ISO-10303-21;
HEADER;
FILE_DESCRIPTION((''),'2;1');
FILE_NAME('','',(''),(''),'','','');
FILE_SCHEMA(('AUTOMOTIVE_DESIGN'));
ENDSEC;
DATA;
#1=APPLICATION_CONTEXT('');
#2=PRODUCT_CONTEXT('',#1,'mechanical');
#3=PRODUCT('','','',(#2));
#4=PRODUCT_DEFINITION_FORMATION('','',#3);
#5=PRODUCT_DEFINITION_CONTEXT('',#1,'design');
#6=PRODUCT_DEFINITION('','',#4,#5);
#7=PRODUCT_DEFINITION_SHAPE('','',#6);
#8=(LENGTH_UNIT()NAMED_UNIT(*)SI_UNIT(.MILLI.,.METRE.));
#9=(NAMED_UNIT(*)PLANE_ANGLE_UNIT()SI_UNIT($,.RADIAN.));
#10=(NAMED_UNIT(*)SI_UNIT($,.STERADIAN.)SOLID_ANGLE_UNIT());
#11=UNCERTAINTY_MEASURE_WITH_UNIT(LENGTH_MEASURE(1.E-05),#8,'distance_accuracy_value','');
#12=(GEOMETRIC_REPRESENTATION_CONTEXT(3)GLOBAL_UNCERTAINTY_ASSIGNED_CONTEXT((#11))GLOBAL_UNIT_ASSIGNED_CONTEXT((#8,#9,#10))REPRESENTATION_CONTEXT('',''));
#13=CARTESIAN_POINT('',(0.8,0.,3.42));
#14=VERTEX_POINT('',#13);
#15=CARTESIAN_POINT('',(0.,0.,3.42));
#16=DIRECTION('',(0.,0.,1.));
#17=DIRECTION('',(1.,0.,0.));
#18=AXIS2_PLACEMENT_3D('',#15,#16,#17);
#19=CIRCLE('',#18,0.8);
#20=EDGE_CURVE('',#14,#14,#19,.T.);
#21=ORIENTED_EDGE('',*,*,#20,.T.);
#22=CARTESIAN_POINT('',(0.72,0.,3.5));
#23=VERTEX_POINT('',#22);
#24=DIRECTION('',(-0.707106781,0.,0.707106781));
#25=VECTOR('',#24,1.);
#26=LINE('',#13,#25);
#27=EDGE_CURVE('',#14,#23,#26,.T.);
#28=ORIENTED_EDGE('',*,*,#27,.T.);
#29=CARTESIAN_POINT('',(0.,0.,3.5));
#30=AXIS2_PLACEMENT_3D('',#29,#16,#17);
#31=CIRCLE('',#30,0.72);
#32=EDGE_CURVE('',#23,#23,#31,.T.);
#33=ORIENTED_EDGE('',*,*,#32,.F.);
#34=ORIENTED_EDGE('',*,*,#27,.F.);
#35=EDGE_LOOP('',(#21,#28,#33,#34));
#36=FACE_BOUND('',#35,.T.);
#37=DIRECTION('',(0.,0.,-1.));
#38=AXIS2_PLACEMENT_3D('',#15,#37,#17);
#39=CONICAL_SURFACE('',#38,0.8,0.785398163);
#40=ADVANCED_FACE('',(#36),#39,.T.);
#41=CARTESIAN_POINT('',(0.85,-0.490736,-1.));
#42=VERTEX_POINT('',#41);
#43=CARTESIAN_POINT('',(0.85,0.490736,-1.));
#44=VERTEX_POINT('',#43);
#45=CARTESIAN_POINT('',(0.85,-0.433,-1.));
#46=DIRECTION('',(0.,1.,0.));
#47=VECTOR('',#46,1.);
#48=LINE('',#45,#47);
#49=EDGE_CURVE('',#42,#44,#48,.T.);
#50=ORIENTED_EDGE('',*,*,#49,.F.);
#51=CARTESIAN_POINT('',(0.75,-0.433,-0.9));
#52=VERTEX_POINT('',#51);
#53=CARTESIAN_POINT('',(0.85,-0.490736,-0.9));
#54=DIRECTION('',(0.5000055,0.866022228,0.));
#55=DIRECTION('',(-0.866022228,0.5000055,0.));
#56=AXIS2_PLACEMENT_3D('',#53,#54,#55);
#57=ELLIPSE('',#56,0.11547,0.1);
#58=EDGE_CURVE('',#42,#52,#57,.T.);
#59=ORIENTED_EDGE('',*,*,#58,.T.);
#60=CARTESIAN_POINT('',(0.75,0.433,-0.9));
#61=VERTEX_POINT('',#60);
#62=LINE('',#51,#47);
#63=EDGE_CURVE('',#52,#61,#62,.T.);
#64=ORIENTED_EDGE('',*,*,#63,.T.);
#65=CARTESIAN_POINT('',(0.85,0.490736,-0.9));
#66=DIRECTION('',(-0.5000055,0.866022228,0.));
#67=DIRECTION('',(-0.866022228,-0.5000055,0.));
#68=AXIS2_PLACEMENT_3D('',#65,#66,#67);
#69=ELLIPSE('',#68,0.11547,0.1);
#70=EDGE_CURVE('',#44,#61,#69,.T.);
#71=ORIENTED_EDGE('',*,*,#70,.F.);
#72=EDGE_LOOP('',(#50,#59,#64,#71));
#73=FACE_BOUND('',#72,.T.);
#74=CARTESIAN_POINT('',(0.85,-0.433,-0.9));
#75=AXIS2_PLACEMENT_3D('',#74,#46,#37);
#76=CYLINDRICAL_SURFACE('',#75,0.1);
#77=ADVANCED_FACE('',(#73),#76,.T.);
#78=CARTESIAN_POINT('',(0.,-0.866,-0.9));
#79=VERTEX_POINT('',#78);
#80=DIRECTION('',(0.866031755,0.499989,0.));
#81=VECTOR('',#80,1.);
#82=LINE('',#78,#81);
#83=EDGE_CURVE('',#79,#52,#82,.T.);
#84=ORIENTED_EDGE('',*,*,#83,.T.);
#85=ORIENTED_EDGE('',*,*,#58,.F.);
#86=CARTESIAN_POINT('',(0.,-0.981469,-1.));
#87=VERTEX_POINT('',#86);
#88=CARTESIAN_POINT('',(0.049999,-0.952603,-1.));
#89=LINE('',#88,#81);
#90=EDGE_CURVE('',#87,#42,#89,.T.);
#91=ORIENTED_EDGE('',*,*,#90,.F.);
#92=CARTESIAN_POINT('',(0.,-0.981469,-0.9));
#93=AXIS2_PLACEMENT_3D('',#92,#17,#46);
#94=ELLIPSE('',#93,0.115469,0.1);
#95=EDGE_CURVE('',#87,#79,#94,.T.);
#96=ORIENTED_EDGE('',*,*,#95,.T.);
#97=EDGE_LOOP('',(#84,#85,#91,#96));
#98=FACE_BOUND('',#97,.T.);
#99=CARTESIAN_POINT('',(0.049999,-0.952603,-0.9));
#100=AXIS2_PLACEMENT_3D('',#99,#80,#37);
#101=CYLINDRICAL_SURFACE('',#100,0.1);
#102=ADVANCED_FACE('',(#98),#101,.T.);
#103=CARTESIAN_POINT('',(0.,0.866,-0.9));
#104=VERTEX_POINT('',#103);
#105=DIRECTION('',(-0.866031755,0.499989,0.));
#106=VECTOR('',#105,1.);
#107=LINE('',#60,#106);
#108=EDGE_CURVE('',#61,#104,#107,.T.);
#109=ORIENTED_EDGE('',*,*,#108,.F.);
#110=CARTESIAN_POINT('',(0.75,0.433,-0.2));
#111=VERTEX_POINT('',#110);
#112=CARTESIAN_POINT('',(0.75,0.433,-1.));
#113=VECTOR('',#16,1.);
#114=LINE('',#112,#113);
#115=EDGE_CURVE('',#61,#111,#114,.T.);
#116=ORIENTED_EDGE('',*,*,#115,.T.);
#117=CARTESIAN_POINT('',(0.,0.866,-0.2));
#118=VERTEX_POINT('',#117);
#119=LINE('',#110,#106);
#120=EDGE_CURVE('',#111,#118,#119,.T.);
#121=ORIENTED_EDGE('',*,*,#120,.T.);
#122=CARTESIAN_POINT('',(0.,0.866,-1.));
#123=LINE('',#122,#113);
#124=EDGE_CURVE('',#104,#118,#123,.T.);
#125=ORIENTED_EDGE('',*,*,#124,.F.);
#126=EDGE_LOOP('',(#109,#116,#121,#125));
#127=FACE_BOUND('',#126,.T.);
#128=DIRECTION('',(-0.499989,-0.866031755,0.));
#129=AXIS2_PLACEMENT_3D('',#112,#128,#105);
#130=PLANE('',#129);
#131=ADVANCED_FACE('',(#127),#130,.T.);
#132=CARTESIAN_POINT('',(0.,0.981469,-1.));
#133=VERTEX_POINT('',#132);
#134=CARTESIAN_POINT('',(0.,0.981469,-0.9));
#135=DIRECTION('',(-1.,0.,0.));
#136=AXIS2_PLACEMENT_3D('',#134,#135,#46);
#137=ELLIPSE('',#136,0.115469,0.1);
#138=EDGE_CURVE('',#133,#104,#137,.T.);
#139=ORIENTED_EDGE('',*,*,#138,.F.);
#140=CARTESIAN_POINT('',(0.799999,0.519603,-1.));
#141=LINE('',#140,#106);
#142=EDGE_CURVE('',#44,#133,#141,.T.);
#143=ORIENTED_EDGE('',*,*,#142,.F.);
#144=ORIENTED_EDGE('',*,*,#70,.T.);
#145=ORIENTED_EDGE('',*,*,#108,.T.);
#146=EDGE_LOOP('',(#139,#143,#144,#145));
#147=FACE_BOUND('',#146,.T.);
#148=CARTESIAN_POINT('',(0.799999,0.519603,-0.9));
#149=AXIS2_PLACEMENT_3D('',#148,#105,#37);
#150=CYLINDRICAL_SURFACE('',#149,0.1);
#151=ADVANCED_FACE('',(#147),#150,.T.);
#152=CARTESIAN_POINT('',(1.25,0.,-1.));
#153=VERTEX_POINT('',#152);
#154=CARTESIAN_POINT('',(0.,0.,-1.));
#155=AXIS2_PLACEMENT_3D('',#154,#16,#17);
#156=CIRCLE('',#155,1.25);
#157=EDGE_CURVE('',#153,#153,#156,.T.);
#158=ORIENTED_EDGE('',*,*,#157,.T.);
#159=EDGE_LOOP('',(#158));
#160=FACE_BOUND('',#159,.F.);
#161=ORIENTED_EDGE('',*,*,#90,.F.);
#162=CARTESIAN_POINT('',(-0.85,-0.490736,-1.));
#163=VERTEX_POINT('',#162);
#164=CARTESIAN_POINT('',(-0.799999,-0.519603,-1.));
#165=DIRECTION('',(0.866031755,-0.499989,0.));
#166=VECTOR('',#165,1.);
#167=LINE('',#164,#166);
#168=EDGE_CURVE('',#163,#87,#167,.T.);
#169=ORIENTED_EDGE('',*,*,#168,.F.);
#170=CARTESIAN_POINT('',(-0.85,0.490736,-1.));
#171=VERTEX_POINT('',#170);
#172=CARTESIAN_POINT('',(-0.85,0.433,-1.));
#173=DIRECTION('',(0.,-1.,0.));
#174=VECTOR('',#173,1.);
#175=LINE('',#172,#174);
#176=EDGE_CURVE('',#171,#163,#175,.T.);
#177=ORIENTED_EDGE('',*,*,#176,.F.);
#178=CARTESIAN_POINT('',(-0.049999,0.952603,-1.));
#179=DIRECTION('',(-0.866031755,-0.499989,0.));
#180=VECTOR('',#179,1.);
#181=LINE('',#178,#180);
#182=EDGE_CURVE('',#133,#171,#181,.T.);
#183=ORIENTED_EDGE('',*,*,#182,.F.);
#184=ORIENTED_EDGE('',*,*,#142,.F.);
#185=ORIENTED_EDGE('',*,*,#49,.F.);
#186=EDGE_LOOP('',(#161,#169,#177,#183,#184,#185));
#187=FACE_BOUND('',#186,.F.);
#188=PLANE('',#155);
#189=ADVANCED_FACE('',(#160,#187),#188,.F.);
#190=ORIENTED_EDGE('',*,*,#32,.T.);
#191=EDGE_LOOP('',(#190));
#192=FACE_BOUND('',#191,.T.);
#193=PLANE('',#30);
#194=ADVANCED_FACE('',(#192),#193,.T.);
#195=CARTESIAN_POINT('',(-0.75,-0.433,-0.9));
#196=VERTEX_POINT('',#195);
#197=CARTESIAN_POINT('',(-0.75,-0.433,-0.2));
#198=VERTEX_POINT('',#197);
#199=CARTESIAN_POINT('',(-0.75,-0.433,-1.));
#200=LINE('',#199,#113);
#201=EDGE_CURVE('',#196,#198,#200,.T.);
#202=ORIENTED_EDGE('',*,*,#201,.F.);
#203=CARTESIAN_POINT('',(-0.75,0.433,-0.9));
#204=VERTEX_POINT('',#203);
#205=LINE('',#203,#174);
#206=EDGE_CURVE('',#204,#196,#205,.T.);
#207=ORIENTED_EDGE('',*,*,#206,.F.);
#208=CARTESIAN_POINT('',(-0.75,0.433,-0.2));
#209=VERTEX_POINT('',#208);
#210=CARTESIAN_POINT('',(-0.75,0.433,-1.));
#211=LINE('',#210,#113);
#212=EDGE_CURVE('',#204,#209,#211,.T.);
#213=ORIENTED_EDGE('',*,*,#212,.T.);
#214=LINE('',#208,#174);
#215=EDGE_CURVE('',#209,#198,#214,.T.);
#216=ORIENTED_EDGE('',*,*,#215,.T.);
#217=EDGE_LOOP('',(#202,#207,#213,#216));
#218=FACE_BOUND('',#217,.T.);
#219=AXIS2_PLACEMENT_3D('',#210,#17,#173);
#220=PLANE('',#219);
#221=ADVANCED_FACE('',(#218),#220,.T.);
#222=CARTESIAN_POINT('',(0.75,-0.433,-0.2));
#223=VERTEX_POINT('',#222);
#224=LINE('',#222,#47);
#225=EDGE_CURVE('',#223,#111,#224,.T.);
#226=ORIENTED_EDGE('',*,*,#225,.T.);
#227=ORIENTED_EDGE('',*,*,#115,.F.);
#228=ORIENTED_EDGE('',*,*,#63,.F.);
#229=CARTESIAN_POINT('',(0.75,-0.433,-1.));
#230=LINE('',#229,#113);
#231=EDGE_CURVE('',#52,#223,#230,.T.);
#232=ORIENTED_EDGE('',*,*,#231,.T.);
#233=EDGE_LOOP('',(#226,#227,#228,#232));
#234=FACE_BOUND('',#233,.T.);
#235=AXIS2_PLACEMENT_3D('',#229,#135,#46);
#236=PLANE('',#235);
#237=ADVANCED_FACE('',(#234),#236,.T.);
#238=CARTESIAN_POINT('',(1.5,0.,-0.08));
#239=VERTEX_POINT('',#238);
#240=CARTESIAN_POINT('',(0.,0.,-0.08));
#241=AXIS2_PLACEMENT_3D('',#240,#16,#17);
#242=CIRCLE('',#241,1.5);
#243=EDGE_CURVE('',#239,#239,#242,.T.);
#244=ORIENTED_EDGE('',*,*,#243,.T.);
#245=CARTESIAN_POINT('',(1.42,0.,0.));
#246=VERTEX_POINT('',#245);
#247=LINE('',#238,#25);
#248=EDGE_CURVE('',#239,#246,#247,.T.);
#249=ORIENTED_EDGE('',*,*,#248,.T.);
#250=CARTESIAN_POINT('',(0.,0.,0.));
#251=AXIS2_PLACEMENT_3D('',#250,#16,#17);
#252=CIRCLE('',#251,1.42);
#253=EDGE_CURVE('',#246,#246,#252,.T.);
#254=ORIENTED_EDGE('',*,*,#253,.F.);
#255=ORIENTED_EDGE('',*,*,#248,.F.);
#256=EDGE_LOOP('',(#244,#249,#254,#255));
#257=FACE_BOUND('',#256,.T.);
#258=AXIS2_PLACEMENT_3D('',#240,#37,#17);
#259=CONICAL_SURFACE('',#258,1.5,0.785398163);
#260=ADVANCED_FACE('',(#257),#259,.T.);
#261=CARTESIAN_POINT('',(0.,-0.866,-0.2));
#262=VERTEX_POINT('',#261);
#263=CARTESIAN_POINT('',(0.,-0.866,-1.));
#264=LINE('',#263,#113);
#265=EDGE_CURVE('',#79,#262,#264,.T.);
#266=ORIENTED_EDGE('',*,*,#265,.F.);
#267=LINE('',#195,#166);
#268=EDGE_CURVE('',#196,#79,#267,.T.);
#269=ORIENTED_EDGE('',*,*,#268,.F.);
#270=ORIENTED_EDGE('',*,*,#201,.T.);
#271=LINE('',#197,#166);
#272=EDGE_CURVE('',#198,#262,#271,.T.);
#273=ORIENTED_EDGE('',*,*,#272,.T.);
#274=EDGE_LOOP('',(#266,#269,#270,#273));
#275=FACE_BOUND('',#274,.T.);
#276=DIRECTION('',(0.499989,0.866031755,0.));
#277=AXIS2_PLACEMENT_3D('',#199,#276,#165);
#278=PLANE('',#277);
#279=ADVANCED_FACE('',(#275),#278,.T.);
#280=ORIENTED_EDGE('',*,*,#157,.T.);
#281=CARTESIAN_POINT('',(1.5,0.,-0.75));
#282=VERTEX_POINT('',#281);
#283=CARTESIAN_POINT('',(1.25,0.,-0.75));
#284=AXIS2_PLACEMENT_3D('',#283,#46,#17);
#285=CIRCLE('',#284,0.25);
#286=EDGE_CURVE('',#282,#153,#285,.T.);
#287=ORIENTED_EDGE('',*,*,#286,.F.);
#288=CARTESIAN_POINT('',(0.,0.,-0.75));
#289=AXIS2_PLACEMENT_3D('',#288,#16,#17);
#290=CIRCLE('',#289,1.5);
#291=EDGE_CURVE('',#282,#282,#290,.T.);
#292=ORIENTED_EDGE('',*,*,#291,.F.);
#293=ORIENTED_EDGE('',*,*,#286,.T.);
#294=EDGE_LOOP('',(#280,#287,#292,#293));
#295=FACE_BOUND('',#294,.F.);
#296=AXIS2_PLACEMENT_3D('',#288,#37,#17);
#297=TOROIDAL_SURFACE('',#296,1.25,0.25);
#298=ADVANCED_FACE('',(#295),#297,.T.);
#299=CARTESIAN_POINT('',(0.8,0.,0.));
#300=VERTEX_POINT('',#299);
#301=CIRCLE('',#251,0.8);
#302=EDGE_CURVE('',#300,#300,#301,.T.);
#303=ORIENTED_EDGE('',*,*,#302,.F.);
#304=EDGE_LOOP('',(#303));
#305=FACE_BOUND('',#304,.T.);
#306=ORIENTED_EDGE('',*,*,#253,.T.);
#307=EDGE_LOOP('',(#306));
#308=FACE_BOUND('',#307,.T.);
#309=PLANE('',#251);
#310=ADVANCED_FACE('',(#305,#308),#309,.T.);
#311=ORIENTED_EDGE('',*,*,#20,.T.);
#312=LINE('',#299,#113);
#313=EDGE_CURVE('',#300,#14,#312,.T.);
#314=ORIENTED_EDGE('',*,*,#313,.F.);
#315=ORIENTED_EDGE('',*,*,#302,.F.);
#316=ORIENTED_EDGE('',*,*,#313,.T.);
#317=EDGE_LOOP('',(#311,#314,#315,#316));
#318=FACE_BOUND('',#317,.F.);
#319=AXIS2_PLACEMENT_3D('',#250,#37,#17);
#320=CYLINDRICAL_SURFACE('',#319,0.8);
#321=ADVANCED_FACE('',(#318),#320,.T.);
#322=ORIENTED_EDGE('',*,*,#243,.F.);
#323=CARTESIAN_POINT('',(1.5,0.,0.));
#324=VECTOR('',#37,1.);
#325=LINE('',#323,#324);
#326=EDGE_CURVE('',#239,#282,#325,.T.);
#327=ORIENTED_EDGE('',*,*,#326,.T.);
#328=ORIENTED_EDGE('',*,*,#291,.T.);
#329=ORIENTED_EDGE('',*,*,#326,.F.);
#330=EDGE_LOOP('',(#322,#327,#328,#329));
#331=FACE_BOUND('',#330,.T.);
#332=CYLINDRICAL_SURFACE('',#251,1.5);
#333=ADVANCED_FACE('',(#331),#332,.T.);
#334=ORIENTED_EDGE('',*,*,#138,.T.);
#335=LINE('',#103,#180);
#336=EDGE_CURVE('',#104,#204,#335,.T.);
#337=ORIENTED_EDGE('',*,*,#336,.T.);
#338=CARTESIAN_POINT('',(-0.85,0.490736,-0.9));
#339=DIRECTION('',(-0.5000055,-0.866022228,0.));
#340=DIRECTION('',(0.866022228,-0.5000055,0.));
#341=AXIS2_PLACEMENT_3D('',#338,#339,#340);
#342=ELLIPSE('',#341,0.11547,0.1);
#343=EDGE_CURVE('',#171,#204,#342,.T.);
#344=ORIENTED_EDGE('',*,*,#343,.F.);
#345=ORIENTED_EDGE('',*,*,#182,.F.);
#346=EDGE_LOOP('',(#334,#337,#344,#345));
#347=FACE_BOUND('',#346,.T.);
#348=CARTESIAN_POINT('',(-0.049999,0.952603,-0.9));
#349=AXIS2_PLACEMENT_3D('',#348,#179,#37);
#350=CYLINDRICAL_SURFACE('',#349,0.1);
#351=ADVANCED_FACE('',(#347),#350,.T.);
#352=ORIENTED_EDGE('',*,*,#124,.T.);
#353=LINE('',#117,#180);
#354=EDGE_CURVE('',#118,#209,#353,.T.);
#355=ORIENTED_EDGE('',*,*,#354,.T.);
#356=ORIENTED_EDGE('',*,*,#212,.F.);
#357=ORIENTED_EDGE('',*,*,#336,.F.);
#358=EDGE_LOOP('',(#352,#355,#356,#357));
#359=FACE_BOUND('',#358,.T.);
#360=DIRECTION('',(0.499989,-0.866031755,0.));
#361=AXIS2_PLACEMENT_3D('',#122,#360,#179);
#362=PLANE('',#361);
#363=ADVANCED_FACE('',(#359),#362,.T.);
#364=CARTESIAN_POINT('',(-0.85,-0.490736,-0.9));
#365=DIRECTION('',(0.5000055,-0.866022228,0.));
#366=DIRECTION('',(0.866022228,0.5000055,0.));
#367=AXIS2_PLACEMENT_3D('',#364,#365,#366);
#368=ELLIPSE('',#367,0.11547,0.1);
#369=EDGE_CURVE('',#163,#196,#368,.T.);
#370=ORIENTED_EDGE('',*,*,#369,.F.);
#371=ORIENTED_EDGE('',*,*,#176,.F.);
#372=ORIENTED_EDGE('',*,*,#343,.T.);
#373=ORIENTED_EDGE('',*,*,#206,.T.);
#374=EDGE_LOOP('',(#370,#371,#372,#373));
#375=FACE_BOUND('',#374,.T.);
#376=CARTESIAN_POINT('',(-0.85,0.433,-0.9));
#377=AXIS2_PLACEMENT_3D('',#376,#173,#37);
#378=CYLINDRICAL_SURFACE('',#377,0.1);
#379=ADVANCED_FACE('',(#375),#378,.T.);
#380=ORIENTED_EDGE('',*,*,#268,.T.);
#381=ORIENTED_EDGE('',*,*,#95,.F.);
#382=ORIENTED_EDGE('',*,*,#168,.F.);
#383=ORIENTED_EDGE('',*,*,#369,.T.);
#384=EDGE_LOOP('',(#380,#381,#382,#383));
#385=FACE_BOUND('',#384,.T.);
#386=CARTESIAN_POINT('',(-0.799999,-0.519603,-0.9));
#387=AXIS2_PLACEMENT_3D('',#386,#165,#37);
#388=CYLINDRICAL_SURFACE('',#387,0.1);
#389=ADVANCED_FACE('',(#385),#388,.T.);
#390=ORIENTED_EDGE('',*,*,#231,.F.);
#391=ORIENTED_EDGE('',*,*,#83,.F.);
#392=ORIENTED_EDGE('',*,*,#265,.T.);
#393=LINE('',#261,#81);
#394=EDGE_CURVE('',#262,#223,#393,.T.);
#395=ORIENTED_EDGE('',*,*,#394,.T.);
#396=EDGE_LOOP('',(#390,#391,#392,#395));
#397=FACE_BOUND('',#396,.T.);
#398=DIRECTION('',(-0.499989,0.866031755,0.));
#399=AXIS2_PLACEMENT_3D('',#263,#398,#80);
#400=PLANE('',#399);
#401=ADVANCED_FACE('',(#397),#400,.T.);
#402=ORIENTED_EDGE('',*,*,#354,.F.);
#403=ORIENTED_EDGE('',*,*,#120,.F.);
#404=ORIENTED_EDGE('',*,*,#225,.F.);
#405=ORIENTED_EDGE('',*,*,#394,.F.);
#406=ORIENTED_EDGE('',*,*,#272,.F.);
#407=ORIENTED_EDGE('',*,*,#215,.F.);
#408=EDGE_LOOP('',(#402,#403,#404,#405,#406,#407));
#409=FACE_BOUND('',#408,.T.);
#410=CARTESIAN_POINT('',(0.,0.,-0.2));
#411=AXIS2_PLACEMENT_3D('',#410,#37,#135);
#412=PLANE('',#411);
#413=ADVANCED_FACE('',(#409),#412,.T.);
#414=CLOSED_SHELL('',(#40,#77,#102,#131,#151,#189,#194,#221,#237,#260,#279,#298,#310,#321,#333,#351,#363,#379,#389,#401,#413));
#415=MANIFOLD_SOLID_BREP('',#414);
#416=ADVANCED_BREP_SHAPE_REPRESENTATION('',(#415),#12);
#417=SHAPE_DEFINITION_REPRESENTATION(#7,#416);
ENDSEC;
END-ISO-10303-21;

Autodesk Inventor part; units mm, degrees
ref_plane "YZ Plane" through (0, 0, 0) normal (1, 0, 0) x (0, 1, 0)
ref_plane "XZ Plane" through (0, 0, 0) normal (0, 1, 0) x (-1, 0, 0)
ref_plane "XY Plane" through (0, 0, 0) normal (0, 0, 1) x (1, 0, 0)
sketch "Sketch1" plane through (0, 0, 0) normal (0, 0, 1) x (1, 0, 0)
  circle A0 centre (0, 0) radius 0.8
  circle A1 centre (0, 0) radius 1.5
  dimension "d0" = 1.6
  dimension "d1" = 3
extrude "Extrusion1" add sketch "Sketch1" along normal blind 3.5 contours A0
extrude "Extrusion2" add sketch "Sketch1" against normal blind 1 contours A0 | A1
sketch "Sketch2" plane through (0, 0, -1) normal (0, 0, -1) x (-1, 0, 0)
  line L0 (-0.75, 0.433) -> (0, 0.866)
  line L1 (0, 0.866) -> (0.75, 0.433)
  line L2 (0.75, 0.433) -> (0.75, -0.433)
  line L3 (0.75, -0.433) -> (0, -0.866)
  line L4 (0, -0.866) -> (-0.75, -0.433)
  line L5 (-0.75, -0.433) -> (-0.75, 0.433)
  point P0 (0, 0)
  point P1 (0, 0)
  dimension "d6" = 1.5
extrude "Extrusion3" cut sketch "Sketch2" against normal blind 0.8
fillet "Fillet1" radius 0.25 1 edges at (-1.5, 0, -1)
fillet "Fillet1" radius 0.1 6 edges at (0.375, 0.6495, -1) (0.75, 0, -1) (0.375, -0.6495, -1) (-0.375, -0.6495, -1) (-0.75, 0, -1) (-0.375, 0.6495, -1)
thread "Thread1" size "M1.6x0.35" class "6g" standard "ANSI Metric M Profile" full length
chamfer "Chamfer1" distance 0.08 angle 45 2 edges at (-0.8, 0, 3.5) (-1.5, 0, 0)
properties part number "CNCT_STEEL_M1,6x3,5_Screw" material "Stainless Steel"
